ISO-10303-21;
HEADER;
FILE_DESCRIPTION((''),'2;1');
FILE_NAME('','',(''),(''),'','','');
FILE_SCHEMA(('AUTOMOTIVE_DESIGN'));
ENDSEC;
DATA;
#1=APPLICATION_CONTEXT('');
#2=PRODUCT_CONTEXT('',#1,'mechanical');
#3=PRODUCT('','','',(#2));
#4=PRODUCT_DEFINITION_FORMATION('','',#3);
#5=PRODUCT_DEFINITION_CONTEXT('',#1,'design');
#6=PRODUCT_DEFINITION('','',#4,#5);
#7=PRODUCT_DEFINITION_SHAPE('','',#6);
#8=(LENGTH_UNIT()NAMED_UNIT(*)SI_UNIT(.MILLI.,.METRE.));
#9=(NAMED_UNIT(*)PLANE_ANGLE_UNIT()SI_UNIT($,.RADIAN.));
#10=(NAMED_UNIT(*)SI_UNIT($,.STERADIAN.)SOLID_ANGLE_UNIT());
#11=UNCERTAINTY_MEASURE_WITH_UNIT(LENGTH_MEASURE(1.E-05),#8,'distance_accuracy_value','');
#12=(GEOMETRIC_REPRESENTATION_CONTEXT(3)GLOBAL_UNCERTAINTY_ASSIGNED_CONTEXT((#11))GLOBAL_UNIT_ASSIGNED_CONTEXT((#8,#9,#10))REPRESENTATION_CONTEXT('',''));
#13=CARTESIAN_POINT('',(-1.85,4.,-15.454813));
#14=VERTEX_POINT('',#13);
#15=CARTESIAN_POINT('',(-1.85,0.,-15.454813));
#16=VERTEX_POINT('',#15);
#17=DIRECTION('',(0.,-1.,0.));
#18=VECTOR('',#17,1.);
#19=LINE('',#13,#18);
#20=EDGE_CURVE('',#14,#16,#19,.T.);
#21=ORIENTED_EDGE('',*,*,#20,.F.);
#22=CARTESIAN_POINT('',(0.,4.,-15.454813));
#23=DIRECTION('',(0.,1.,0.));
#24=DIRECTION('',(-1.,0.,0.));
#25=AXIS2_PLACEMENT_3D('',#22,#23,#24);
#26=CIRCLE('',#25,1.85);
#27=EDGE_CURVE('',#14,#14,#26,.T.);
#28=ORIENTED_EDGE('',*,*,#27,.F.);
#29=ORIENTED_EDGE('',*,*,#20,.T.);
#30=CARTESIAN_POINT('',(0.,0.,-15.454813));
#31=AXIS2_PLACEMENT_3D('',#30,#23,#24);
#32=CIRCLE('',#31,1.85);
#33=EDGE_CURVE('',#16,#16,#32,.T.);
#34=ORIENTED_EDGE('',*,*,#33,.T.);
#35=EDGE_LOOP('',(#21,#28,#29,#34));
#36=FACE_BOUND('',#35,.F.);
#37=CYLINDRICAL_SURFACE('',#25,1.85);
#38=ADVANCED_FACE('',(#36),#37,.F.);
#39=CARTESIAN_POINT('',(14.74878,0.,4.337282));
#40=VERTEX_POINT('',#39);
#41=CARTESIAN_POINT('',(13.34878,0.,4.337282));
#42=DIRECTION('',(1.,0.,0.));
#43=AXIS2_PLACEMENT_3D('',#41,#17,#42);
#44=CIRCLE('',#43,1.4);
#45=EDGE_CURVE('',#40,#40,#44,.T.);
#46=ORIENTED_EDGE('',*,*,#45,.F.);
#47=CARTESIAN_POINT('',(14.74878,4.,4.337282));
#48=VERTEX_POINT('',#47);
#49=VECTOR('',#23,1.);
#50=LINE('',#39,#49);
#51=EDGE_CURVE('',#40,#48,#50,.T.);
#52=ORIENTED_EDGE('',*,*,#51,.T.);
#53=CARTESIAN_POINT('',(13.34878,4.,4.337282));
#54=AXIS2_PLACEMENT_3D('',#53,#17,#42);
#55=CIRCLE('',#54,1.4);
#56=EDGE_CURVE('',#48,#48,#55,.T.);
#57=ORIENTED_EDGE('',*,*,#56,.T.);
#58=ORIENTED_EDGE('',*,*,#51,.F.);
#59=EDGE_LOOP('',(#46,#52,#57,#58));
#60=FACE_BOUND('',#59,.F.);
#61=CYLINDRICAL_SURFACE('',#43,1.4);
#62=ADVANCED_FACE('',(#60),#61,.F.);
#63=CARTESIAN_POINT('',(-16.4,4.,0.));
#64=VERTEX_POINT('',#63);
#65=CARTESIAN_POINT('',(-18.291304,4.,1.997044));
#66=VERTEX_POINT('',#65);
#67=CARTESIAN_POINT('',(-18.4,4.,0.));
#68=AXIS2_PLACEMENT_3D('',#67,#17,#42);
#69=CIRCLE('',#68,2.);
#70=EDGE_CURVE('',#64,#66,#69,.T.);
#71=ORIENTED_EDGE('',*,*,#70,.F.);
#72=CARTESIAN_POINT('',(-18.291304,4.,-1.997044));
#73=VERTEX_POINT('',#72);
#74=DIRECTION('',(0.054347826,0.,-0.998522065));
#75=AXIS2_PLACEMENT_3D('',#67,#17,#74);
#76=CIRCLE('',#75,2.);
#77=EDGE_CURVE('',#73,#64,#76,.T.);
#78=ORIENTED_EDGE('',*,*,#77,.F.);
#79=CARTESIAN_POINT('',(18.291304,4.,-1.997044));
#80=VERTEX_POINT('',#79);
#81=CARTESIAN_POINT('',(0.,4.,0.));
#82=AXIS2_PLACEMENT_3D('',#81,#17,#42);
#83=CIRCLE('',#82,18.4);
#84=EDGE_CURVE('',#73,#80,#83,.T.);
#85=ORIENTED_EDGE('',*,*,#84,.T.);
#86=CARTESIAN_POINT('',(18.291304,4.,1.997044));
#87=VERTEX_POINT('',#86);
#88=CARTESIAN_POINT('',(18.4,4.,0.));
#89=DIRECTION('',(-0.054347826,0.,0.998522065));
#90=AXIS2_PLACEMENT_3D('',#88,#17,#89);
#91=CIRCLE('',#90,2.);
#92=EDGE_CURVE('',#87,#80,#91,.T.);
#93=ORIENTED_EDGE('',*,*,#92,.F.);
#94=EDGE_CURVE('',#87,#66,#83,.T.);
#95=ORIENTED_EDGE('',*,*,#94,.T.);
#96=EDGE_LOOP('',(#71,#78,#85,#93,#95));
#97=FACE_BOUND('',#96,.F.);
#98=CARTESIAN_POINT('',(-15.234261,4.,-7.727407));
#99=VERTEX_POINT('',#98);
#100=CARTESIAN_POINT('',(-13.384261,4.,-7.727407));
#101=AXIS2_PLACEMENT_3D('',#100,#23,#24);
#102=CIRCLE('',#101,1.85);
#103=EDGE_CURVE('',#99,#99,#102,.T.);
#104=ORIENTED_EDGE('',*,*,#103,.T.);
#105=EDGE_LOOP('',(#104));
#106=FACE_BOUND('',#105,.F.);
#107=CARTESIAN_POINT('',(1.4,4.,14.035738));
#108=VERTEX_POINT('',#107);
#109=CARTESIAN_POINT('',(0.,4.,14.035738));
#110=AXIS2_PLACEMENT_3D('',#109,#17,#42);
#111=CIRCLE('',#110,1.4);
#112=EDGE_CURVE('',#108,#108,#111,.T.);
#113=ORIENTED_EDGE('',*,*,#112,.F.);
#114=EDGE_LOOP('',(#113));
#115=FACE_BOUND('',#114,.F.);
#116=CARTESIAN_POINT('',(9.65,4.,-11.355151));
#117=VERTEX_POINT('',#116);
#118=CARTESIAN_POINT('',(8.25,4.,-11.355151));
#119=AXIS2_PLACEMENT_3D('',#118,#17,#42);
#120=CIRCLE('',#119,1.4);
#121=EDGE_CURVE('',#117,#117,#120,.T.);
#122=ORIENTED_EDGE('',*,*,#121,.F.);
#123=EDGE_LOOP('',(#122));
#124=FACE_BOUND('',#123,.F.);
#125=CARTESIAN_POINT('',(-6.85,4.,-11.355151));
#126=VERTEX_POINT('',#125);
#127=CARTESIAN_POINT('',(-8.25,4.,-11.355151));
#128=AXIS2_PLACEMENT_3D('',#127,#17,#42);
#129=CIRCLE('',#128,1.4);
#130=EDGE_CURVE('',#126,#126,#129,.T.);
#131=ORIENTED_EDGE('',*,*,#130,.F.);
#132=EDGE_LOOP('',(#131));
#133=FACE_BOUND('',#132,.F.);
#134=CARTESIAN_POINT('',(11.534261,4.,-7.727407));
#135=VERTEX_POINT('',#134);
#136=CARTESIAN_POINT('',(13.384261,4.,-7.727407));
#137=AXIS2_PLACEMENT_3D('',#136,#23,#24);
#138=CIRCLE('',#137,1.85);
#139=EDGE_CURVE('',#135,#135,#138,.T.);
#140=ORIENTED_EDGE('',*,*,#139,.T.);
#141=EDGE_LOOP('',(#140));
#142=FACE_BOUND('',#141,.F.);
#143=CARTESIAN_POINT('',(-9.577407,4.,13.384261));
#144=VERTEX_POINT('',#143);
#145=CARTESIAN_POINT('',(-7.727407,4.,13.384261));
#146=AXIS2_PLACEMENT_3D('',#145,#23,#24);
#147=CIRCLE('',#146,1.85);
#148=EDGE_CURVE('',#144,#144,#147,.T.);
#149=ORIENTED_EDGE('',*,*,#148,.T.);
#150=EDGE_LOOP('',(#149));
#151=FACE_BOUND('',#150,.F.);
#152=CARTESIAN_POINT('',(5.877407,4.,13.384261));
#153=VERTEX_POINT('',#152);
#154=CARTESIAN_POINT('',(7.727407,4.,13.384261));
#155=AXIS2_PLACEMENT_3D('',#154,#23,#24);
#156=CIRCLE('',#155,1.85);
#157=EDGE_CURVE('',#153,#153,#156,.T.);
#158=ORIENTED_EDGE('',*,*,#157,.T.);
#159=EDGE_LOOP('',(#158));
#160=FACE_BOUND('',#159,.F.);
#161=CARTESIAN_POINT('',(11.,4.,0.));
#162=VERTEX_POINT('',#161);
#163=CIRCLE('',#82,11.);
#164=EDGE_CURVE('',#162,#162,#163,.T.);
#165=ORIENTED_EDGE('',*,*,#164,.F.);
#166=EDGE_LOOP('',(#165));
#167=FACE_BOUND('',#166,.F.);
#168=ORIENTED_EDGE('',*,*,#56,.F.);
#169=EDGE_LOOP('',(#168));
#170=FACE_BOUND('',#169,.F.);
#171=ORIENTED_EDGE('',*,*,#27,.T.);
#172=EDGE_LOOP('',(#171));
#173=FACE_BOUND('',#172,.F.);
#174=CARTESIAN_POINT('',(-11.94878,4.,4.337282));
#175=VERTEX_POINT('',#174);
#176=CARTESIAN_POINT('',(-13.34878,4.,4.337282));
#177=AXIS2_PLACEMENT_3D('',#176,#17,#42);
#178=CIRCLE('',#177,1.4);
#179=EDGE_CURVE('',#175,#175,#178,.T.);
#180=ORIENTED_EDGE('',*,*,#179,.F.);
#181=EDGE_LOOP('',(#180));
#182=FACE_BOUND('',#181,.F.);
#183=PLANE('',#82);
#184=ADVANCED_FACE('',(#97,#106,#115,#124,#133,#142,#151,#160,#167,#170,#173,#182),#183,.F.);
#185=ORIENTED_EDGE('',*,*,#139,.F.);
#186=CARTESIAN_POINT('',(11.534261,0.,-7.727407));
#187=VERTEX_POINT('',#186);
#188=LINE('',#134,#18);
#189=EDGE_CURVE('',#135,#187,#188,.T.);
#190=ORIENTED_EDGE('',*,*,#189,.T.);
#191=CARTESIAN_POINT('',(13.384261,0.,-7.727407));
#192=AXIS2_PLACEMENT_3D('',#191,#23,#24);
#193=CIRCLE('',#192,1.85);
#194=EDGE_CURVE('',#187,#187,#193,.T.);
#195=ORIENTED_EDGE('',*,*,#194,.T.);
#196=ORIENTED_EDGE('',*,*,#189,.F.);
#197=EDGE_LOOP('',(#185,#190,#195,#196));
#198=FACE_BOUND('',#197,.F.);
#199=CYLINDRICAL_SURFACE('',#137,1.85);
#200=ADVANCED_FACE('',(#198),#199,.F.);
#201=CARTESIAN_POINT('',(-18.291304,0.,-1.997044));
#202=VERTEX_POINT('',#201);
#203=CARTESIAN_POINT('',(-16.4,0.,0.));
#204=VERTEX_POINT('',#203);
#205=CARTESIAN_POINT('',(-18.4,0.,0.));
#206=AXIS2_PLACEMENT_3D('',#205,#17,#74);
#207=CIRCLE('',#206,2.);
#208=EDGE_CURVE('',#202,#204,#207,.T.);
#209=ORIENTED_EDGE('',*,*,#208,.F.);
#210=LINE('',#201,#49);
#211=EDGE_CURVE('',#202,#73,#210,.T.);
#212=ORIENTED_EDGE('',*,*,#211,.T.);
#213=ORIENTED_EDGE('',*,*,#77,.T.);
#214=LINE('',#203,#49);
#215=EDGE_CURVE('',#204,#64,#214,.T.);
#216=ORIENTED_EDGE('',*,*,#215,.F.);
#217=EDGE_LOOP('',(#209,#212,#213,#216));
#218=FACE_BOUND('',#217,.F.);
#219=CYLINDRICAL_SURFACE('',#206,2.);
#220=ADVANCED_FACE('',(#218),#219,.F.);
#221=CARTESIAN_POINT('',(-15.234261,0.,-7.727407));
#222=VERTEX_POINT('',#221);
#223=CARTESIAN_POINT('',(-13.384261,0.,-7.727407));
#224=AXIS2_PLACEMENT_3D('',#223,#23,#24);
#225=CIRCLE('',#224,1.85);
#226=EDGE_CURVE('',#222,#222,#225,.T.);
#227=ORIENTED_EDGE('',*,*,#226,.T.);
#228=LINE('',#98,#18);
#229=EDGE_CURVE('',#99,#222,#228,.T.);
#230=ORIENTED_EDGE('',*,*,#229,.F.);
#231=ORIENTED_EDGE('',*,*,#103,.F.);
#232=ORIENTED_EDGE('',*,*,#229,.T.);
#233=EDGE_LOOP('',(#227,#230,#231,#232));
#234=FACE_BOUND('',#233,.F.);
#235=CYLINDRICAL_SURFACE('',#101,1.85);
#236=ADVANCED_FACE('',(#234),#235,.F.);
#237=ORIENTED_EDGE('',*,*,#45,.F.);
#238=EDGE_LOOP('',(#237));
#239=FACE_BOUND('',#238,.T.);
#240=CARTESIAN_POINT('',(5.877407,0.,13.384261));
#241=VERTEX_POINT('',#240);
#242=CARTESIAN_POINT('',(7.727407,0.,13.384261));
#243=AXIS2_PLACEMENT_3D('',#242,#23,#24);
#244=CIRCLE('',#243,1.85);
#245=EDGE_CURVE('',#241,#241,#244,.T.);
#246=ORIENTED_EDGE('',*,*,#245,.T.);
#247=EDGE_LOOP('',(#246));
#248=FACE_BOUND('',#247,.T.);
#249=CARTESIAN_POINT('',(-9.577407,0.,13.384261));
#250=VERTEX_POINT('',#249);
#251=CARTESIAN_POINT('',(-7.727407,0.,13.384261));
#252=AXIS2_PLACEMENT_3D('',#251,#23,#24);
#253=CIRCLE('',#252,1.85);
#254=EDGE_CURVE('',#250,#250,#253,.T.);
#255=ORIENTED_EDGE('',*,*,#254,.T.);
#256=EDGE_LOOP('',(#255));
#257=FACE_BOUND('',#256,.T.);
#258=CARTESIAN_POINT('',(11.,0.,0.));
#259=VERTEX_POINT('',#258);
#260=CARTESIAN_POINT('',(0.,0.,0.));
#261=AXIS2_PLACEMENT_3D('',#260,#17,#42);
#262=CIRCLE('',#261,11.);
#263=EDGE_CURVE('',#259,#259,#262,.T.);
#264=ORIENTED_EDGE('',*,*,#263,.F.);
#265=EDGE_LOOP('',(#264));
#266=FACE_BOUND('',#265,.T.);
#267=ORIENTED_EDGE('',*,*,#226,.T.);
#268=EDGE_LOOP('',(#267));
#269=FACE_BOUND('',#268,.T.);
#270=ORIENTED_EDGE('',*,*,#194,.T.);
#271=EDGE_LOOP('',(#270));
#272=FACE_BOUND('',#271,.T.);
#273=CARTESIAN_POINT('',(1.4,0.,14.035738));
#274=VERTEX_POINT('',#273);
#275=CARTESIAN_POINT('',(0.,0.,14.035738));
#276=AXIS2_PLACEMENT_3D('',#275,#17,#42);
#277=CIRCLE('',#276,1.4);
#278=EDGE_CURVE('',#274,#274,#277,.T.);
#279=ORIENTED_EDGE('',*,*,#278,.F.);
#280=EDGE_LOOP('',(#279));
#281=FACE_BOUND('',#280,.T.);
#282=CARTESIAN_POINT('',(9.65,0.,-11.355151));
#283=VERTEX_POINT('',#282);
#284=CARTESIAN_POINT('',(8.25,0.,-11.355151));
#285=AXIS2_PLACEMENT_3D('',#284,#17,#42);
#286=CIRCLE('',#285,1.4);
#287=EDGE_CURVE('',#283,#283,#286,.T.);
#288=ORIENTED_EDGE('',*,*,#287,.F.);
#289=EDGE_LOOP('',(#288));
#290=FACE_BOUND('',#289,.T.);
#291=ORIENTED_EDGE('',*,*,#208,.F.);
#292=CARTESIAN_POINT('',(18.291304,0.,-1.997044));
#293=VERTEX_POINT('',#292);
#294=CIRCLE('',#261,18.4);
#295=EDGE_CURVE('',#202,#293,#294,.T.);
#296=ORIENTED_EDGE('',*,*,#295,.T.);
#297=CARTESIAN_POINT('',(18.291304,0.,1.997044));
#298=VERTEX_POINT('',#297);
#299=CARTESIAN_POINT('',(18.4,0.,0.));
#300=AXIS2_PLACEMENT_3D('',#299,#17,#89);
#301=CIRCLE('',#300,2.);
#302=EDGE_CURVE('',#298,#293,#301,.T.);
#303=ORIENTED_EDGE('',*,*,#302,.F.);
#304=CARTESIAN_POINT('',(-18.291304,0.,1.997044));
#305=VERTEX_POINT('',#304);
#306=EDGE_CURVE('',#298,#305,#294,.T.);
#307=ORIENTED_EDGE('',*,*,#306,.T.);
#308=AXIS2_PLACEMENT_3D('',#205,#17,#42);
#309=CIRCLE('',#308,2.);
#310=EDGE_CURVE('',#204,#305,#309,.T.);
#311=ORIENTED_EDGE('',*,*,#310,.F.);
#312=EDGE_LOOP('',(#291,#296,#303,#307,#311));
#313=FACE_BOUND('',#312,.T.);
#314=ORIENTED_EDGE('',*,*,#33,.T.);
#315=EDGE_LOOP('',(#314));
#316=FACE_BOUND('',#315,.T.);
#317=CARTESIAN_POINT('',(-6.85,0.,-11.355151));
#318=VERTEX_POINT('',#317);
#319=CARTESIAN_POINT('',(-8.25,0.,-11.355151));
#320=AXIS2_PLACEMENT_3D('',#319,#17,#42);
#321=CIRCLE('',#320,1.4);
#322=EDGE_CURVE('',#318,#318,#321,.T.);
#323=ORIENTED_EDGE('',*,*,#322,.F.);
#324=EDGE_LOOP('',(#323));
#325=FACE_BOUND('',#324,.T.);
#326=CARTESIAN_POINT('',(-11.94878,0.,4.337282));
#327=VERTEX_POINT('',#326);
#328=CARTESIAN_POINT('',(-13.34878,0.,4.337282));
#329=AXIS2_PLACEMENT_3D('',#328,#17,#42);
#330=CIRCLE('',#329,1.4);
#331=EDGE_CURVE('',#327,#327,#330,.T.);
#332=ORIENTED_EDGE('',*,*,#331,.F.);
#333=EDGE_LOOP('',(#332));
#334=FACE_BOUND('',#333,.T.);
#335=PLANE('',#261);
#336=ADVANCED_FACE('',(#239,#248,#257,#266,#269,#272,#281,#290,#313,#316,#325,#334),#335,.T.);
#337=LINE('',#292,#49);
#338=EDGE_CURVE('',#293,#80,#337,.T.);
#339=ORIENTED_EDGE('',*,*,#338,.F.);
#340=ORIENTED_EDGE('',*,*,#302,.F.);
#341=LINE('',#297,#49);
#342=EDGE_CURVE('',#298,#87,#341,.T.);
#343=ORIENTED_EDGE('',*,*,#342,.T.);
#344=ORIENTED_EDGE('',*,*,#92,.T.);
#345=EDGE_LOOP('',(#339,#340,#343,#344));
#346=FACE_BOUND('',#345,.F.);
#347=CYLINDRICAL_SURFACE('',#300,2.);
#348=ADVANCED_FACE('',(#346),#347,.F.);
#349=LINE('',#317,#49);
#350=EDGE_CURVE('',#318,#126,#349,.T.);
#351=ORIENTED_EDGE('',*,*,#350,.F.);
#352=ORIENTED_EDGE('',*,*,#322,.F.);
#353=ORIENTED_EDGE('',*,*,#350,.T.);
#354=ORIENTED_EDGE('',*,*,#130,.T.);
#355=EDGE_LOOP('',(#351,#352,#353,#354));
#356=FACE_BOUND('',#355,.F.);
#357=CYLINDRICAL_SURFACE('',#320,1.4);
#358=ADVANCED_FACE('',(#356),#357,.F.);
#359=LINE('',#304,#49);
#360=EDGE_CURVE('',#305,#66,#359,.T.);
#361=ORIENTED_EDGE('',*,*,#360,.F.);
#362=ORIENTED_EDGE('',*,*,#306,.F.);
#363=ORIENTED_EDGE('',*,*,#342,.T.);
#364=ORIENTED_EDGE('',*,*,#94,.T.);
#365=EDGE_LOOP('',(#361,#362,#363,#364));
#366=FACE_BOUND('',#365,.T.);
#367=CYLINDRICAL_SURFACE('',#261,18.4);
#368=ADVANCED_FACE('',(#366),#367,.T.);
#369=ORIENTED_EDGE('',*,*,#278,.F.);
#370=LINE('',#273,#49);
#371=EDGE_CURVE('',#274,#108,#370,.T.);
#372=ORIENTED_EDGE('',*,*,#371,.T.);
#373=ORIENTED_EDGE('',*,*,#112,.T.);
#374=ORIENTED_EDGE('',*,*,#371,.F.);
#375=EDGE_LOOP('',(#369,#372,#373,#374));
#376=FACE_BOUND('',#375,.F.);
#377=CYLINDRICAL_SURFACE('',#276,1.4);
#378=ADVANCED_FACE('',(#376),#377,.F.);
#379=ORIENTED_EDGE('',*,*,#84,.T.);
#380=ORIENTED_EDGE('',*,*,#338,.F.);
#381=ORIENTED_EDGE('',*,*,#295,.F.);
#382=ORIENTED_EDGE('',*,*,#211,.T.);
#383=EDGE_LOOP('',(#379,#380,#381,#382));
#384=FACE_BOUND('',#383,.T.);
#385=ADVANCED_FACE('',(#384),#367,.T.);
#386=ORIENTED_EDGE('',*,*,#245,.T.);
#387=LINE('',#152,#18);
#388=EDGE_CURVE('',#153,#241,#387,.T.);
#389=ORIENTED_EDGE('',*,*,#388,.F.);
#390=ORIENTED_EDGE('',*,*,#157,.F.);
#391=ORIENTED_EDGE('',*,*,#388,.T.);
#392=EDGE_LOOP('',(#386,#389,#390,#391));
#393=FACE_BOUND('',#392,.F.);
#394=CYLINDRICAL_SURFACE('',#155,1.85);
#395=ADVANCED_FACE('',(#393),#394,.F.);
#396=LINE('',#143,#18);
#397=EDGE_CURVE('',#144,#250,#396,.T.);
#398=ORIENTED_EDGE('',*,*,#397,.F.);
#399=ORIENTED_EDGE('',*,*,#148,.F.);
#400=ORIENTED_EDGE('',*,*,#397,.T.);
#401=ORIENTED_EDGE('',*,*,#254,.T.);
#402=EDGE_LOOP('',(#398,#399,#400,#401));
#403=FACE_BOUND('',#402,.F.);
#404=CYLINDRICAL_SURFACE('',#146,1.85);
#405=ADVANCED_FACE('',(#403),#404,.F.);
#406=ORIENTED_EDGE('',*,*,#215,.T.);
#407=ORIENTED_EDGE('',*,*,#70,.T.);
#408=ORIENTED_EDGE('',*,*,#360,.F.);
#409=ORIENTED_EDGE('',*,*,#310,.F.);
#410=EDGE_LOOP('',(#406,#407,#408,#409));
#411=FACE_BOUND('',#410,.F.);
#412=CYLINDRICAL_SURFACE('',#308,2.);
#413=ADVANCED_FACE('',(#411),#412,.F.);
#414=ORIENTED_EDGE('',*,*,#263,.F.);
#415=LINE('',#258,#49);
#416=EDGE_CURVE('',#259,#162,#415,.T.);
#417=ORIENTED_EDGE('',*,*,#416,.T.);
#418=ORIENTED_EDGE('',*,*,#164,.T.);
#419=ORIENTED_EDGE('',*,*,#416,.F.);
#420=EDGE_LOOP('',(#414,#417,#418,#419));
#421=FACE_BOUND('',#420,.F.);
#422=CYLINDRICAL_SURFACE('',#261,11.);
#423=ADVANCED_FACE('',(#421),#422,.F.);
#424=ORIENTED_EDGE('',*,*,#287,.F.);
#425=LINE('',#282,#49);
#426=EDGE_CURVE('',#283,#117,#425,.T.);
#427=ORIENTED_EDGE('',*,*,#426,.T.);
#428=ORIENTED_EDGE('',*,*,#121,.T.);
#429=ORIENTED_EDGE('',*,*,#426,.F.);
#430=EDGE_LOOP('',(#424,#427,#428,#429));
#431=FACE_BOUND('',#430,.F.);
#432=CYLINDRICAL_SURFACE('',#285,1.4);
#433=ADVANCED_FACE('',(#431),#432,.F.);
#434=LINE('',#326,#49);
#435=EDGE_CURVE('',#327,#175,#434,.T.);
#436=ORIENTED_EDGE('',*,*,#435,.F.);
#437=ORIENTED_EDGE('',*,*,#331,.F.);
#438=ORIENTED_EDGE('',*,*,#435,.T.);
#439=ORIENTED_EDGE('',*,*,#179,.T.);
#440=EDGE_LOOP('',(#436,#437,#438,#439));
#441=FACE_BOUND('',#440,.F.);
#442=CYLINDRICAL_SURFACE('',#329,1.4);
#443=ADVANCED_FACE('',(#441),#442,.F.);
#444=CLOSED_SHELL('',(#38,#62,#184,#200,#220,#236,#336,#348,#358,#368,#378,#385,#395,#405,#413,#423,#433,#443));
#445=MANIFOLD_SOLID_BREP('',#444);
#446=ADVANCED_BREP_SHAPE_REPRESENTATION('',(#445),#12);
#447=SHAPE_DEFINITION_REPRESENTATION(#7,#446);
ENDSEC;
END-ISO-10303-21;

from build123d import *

# Parameters (mm, degrees)
F0_R     = 18.4
F0_R_2   = 1.4
F0_R_3   = 11
F1_DEPTH = 4
F2_R     = 1.85
F3_DEPTH = 25
F5_DEPTH = 25


with BuildPart() as f1:
    # F0 (on Front) → F1 (new body)
    with BuildSketch(Plane.XZ):
        Circle(F0_R)
        with Locations((-8.25, -11.3551508439)):
            Circle(F0_R_2, mode=Mode.SUBTRACT)
        with Locations((8.25, -11.3551508439)):
            Circle(F0_R_2, mode=Mode.SUBTRACT)
        with Locations((-13.3487804072, 4.337281675)):
            Circle(F0_R_2, mode=Mode.SUBTRACT)
        Circle(F0_R_3, mode=Mode.SUBTRACT)
        with Locations((13.3487804072, 4.337281675)):
            Circle(F0_R_2, mode=Mode.SUBTRACT)
        with Locations((0, 14.0357383378)):
            Circle(F0_R_2, mode=Mode.SUBTRACT)
    extrude(amount=-F1_DEPTH)

    # F2 (on face) → F3 (cut)
    with BuildSketch(Plane(origin=(0, 4, 0), x_dir=(-1, 0, 0), z_dir=(0, 1, 0))):
        with Locations((0, -15.4548132206)):
            Circle(F2_R)
        with Locations((13.3842608598, -7.7274066103)):
            Circle(F2_R)
        with Locations((-13.3842608598, -7.7274066103)):
            Circle(F2_R)
        with Locations((-7.7274066103, 13.3842608598)):
            Circle(F2_R)
        with Locations((7.7274066103, 13.3842608598)):
            Circle(F2_R)
    extrude(amount=-F3_DEPTH, mode=Mode.SUBTRACT)

    # F4 (on face) → F5 (cut)
    with BuildSketch(Plane.XZ):
        with BuildLine():
            ThreePointArc((-18.2913043478, -1.9970441295), (-16.9478651398, -1.3752470134), (-16.4, 0))
            ThreePointArc((-16.4, 0), (-16.9478651398, 1.3752470134), (-18.2913043478, 1.9970441295))
            ThreePointArc((-18.2913043478, 1.9970441295), (-18.4, 0), (-18.2913043478, -1.9970441295))
        make_face()
        with BuildLine():
            ThreePointArc((18.4, 0), (18.3728059915, 1), (18.2913043478, 1.9970441295))
            ThreePointArc((18.2913043478, 1.9970441295), (16.4, 0), (18.2913043478, -1.9970441295))
            ThreePointArc((18.2913043478, -1.9970441295), (18.3728059915, -1), (18.4, 0))
        make_face()
    extrude(amount=-F5_DEPTH, mode=Mode.SUBTRACT)


solid = f1.part
